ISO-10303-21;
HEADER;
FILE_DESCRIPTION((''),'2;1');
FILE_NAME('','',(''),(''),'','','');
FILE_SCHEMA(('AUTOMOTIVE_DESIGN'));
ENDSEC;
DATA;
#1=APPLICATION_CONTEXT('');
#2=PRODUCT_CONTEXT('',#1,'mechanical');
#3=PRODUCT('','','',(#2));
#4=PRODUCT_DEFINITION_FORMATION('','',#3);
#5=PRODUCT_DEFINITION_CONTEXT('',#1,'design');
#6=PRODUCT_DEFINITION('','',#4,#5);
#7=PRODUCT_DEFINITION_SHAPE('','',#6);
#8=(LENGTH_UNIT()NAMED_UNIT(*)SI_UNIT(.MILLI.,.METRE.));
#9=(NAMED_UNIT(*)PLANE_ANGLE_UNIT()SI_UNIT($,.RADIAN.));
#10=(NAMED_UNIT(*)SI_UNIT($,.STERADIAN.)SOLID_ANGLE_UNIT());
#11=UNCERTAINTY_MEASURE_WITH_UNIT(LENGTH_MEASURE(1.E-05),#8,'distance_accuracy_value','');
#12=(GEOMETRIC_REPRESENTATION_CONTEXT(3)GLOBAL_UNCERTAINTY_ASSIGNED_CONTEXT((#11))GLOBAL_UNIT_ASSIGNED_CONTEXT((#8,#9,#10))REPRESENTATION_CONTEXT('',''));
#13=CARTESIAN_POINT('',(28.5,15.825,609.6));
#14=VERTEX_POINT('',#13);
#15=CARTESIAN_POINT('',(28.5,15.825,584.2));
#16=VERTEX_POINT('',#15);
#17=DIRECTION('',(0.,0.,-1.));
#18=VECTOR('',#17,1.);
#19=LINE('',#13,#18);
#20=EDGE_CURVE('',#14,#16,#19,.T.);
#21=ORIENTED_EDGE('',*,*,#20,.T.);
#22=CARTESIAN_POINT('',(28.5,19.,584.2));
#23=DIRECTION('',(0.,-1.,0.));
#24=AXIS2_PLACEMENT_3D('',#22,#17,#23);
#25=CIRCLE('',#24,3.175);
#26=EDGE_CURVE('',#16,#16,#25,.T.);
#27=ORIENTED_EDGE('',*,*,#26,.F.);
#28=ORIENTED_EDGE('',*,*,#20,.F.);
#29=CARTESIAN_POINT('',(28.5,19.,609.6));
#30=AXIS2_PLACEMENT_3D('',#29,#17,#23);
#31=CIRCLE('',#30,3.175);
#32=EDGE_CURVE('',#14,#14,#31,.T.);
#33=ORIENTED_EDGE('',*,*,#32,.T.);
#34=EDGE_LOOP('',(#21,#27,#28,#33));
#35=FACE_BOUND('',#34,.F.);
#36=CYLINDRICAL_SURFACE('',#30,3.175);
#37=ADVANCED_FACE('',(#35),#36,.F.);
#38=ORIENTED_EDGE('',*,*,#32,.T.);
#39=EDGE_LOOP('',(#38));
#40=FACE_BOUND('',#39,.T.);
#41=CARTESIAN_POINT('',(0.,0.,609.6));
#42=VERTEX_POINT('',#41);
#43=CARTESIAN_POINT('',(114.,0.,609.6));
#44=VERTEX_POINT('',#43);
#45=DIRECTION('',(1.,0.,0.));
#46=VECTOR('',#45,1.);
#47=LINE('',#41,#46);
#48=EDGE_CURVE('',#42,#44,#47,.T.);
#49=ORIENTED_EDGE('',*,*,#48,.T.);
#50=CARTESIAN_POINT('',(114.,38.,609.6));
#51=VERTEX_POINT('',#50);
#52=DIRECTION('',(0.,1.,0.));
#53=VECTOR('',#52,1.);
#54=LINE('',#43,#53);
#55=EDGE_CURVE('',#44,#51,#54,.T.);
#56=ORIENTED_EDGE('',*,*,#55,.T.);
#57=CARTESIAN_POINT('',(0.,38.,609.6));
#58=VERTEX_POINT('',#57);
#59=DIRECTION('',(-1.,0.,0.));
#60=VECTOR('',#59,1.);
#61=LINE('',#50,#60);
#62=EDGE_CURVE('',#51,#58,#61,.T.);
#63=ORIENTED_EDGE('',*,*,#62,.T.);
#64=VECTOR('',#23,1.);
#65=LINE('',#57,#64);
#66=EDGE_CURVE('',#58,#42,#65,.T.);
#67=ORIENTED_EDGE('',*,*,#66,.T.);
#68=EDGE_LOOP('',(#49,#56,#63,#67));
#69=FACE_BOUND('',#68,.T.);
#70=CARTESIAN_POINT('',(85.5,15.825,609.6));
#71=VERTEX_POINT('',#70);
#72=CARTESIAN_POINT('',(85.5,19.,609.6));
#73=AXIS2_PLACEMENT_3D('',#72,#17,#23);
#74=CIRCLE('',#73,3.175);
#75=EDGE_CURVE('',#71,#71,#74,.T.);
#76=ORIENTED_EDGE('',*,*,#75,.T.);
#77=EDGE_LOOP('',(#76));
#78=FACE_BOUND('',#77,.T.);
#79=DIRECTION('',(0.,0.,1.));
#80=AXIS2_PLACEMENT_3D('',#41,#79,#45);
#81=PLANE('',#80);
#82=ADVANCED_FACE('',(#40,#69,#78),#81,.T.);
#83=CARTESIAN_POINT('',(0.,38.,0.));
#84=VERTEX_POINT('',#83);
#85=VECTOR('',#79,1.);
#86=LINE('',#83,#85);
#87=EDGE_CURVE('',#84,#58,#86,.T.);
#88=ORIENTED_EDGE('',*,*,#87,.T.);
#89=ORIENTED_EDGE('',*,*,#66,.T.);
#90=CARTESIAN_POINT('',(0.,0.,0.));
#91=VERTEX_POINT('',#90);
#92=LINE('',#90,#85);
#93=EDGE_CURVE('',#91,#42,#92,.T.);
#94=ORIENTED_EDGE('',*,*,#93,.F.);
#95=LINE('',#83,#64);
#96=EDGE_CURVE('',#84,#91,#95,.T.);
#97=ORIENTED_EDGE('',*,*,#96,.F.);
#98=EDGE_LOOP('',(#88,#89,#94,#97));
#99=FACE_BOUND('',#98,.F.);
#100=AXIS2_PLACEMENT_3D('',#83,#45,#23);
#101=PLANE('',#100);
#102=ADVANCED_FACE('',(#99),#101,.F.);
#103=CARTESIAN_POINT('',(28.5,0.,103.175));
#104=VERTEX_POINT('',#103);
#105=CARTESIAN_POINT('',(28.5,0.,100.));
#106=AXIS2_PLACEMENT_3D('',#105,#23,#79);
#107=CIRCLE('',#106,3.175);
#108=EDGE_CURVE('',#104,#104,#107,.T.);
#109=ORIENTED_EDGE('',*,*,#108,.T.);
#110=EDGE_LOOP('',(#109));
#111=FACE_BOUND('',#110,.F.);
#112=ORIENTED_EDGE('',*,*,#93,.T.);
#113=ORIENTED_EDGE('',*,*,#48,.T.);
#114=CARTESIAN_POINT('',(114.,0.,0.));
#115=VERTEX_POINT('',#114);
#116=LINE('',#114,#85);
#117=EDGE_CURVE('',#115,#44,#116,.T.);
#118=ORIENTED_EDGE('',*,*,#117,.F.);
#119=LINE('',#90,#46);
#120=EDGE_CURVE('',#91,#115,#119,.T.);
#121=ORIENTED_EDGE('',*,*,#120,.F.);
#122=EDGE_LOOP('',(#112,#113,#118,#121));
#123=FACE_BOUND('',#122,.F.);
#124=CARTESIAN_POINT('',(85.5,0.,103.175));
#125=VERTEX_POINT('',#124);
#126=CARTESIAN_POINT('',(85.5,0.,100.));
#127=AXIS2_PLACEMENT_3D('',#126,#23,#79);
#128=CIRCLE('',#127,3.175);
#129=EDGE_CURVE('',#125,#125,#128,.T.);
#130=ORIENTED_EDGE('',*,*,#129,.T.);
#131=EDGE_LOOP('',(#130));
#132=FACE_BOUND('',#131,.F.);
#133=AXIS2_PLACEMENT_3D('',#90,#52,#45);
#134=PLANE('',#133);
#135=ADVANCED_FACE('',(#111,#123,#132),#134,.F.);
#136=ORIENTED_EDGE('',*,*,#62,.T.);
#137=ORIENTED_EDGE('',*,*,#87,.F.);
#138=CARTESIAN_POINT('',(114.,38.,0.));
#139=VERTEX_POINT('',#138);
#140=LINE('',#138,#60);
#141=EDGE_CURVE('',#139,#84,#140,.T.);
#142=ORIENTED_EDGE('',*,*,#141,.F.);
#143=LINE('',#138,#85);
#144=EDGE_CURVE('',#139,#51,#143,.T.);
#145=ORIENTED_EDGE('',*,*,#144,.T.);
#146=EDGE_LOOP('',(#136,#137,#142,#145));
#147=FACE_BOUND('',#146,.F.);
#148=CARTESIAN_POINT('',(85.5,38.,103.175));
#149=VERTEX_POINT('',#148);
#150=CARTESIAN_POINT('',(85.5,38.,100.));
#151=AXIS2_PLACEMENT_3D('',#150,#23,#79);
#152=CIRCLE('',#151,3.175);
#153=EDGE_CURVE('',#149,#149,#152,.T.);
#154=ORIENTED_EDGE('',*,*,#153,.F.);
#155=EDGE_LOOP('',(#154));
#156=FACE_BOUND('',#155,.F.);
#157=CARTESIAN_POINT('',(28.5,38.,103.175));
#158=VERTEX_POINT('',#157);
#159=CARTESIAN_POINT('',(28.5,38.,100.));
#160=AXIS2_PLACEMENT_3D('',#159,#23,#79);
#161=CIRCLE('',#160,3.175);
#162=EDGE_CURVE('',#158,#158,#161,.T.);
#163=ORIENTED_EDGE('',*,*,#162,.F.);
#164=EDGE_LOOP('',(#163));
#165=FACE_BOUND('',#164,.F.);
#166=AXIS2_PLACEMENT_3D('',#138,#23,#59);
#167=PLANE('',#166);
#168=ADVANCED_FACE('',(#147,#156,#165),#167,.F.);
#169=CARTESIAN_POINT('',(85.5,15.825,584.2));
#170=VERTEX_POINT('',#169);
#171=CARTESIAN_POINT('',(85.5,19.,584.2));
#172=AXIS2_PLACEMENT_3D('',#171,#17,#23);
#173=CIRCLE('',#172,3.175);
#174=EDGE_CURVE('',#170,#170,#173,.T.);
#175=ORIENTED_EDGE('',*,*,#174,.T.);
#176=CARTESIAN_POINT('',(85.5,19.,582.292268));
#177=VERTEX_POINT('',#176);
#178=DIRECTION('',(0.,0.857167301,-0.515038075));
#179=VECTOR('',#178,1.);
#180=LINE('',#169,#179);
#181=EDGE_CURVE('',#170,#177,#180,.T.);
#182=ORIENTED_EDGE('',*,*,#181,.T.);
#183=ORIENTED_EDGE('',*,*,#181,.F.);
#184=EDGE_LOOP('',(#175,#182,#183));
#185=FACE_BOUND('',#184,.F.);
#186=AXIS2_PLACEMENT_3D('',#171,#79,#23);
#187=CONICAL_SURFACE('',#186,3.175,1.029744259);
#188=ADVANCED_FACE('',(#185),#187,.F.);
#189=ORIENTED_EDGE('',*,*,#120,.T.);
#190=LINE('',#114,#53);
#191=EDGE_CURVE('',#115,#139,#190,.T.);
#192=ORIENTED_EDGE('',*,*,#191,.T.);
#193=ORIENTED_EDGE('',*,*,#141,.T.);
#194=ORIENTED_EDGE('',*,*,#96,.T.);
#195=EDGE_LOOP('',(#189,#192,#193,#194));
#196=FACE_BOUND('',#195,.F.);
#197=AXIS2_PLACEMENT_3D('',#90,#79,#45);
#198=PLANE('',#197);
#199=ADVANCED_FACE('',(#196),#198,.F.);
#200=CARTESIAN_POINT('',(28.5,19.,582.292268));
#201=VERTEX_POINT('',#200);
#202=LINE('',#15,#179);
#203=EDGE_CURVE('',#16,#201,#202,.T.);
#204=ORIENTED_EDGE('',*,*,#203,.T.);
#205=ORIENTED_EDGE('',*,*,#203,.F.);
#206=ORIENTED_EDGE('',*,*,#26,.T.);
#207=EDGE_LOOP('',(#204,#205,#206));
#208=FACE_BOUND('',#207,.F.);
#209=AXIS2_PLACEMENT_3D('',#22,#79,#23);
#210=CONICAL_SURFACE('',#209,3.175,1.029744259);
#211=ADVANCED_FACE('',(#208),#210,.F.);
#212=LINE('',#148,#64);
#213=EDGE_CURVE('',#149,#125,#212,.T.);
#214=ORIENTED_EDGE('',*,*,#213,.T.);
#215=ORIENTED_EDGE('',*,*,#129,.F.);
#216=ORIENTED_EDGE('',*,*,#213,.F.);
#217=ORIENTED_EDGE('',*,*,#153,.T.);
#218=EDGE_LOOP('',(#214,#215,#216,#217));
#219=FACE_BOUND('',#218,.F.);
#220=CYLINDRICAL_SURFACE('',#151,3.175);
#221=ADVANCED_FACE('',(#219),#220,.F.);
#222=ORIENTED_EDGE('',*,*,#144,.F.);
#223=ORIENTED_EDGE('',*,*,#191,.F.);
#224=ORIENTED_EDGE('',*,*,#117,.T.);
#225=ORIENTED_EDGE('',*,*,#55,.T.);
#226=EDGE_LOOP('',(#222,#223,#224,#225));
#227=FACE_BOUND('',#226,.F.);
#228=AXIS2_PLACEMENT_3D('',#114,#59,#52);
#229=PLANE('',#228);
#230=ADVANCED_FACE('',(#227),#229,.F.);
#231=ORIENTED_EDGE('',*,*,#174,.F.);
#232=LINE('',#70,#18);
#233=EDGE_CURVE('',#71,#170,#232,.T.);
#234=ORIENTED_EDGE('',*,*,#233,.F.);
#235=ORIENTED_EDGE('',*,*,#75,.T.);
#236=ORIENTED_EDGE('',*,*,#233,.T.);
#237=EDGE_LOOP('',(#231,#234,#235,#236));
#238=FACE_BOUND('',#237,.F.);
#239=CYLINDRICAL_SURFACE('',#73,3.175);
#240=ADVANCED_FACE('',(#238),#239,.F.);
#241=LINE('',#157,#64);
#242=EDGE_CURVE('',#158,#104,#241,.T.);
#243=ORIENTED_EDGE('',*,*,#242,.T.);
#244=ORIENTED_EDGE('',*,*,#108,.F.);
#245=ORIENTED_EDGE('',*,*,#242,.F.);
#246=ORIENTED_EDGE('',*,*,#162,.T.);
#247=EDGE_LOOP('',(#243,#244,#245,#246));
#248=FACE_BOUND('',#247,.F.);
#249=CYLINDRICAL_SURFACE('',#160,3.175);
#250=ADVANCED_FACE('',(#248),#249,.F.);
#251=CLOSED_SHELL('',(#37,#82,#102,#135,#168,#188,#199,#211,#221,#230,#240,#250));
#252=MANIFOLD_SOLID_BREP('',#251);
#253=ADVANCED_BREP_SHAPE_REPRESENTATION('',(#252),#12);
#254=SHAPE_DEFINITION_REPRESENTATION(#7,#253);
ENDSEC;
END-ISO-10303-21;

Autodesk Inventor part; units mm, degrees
ref_plane "YZ Plane" through (0, 0, 0) normal (1, 0, 0) x (0, 1, 0)
ref_plane "XZ Plane" through (0, 0, 0) normal (0, 1, 0) x (-1, 0, 0)
ref_plane "XY Plane" through (0, 0, 0) normal (0, 0, 1) x (1, 0, 0)
sketch "Sketch1" plane through (0, 0, 0) normal (0, 0, 1) x (1, 0, 0)
  line L0 (0, 0) -> (114, 0)
  line L1 (114, 0) -> (114, 38)
  line L2 (114, 38) -> (0, 38)
  line L3 (0, 38) -> (0, 0)
  dimension "d0" = 114
  dimension "d1" = 38
extrude "Extrusion1" add sketch "Sketch1" along normal blind 609.6
sketch "Sketch2" plane through (0, 0, 609.6) normal (0, 0, 1) x (1, 0, 0)
  line L0 (0, 0) -> (114, 0) projected
  circle A0 centre (28.5, 19) radius 5.7238
  circle A1 centre (85.5, 19) radius 5.7238
  line L1 (114, 38) -> (0, 38) projected
  line L2 (57, 38) -> (57, 0) construction
  line L3 (28.5, 19) -> (85.5, 19) construction
  line L4 (57, 19) -> (57, 23.2884) construction
  dimension "d7" = 57
hole "Hole1" at (28.5, 19, 609.6) at (85.5, 19, 609.6) direction (0, 0, -1) diameter 6.35 depth 25.4 tip angle 118
sketch "Sketch3" plane through (0, 38, 0) normal (0, 1, 0) x (1, 0, 0)
  line L0 (114, 0) -> (0, 0) projected
  circle A0 centre (28.5, -100) radius 3.5498
  circle A1 centre (85.5, -100) radius 3.5498
  line L1 (114, 0) -> (114, -609.6) projected
  line L2 (57, 0) -> (57, -100) construction
  line L3 (28.5, -100) -> (85.5, -100) construction
  dimension "d23" = 57
  dimension "d36" = 100
hole "Hole2" at (85.5, 38, 100) at (28.5, 38, 100) direction (0, -1, 0) diameter 6.35 end through all
equation "\"d7\" = 0.5 * d0"
equation "\"d23\" = 0.5 * d0"
properties part number "2p2psh1" material "Wood (Cherry)"
